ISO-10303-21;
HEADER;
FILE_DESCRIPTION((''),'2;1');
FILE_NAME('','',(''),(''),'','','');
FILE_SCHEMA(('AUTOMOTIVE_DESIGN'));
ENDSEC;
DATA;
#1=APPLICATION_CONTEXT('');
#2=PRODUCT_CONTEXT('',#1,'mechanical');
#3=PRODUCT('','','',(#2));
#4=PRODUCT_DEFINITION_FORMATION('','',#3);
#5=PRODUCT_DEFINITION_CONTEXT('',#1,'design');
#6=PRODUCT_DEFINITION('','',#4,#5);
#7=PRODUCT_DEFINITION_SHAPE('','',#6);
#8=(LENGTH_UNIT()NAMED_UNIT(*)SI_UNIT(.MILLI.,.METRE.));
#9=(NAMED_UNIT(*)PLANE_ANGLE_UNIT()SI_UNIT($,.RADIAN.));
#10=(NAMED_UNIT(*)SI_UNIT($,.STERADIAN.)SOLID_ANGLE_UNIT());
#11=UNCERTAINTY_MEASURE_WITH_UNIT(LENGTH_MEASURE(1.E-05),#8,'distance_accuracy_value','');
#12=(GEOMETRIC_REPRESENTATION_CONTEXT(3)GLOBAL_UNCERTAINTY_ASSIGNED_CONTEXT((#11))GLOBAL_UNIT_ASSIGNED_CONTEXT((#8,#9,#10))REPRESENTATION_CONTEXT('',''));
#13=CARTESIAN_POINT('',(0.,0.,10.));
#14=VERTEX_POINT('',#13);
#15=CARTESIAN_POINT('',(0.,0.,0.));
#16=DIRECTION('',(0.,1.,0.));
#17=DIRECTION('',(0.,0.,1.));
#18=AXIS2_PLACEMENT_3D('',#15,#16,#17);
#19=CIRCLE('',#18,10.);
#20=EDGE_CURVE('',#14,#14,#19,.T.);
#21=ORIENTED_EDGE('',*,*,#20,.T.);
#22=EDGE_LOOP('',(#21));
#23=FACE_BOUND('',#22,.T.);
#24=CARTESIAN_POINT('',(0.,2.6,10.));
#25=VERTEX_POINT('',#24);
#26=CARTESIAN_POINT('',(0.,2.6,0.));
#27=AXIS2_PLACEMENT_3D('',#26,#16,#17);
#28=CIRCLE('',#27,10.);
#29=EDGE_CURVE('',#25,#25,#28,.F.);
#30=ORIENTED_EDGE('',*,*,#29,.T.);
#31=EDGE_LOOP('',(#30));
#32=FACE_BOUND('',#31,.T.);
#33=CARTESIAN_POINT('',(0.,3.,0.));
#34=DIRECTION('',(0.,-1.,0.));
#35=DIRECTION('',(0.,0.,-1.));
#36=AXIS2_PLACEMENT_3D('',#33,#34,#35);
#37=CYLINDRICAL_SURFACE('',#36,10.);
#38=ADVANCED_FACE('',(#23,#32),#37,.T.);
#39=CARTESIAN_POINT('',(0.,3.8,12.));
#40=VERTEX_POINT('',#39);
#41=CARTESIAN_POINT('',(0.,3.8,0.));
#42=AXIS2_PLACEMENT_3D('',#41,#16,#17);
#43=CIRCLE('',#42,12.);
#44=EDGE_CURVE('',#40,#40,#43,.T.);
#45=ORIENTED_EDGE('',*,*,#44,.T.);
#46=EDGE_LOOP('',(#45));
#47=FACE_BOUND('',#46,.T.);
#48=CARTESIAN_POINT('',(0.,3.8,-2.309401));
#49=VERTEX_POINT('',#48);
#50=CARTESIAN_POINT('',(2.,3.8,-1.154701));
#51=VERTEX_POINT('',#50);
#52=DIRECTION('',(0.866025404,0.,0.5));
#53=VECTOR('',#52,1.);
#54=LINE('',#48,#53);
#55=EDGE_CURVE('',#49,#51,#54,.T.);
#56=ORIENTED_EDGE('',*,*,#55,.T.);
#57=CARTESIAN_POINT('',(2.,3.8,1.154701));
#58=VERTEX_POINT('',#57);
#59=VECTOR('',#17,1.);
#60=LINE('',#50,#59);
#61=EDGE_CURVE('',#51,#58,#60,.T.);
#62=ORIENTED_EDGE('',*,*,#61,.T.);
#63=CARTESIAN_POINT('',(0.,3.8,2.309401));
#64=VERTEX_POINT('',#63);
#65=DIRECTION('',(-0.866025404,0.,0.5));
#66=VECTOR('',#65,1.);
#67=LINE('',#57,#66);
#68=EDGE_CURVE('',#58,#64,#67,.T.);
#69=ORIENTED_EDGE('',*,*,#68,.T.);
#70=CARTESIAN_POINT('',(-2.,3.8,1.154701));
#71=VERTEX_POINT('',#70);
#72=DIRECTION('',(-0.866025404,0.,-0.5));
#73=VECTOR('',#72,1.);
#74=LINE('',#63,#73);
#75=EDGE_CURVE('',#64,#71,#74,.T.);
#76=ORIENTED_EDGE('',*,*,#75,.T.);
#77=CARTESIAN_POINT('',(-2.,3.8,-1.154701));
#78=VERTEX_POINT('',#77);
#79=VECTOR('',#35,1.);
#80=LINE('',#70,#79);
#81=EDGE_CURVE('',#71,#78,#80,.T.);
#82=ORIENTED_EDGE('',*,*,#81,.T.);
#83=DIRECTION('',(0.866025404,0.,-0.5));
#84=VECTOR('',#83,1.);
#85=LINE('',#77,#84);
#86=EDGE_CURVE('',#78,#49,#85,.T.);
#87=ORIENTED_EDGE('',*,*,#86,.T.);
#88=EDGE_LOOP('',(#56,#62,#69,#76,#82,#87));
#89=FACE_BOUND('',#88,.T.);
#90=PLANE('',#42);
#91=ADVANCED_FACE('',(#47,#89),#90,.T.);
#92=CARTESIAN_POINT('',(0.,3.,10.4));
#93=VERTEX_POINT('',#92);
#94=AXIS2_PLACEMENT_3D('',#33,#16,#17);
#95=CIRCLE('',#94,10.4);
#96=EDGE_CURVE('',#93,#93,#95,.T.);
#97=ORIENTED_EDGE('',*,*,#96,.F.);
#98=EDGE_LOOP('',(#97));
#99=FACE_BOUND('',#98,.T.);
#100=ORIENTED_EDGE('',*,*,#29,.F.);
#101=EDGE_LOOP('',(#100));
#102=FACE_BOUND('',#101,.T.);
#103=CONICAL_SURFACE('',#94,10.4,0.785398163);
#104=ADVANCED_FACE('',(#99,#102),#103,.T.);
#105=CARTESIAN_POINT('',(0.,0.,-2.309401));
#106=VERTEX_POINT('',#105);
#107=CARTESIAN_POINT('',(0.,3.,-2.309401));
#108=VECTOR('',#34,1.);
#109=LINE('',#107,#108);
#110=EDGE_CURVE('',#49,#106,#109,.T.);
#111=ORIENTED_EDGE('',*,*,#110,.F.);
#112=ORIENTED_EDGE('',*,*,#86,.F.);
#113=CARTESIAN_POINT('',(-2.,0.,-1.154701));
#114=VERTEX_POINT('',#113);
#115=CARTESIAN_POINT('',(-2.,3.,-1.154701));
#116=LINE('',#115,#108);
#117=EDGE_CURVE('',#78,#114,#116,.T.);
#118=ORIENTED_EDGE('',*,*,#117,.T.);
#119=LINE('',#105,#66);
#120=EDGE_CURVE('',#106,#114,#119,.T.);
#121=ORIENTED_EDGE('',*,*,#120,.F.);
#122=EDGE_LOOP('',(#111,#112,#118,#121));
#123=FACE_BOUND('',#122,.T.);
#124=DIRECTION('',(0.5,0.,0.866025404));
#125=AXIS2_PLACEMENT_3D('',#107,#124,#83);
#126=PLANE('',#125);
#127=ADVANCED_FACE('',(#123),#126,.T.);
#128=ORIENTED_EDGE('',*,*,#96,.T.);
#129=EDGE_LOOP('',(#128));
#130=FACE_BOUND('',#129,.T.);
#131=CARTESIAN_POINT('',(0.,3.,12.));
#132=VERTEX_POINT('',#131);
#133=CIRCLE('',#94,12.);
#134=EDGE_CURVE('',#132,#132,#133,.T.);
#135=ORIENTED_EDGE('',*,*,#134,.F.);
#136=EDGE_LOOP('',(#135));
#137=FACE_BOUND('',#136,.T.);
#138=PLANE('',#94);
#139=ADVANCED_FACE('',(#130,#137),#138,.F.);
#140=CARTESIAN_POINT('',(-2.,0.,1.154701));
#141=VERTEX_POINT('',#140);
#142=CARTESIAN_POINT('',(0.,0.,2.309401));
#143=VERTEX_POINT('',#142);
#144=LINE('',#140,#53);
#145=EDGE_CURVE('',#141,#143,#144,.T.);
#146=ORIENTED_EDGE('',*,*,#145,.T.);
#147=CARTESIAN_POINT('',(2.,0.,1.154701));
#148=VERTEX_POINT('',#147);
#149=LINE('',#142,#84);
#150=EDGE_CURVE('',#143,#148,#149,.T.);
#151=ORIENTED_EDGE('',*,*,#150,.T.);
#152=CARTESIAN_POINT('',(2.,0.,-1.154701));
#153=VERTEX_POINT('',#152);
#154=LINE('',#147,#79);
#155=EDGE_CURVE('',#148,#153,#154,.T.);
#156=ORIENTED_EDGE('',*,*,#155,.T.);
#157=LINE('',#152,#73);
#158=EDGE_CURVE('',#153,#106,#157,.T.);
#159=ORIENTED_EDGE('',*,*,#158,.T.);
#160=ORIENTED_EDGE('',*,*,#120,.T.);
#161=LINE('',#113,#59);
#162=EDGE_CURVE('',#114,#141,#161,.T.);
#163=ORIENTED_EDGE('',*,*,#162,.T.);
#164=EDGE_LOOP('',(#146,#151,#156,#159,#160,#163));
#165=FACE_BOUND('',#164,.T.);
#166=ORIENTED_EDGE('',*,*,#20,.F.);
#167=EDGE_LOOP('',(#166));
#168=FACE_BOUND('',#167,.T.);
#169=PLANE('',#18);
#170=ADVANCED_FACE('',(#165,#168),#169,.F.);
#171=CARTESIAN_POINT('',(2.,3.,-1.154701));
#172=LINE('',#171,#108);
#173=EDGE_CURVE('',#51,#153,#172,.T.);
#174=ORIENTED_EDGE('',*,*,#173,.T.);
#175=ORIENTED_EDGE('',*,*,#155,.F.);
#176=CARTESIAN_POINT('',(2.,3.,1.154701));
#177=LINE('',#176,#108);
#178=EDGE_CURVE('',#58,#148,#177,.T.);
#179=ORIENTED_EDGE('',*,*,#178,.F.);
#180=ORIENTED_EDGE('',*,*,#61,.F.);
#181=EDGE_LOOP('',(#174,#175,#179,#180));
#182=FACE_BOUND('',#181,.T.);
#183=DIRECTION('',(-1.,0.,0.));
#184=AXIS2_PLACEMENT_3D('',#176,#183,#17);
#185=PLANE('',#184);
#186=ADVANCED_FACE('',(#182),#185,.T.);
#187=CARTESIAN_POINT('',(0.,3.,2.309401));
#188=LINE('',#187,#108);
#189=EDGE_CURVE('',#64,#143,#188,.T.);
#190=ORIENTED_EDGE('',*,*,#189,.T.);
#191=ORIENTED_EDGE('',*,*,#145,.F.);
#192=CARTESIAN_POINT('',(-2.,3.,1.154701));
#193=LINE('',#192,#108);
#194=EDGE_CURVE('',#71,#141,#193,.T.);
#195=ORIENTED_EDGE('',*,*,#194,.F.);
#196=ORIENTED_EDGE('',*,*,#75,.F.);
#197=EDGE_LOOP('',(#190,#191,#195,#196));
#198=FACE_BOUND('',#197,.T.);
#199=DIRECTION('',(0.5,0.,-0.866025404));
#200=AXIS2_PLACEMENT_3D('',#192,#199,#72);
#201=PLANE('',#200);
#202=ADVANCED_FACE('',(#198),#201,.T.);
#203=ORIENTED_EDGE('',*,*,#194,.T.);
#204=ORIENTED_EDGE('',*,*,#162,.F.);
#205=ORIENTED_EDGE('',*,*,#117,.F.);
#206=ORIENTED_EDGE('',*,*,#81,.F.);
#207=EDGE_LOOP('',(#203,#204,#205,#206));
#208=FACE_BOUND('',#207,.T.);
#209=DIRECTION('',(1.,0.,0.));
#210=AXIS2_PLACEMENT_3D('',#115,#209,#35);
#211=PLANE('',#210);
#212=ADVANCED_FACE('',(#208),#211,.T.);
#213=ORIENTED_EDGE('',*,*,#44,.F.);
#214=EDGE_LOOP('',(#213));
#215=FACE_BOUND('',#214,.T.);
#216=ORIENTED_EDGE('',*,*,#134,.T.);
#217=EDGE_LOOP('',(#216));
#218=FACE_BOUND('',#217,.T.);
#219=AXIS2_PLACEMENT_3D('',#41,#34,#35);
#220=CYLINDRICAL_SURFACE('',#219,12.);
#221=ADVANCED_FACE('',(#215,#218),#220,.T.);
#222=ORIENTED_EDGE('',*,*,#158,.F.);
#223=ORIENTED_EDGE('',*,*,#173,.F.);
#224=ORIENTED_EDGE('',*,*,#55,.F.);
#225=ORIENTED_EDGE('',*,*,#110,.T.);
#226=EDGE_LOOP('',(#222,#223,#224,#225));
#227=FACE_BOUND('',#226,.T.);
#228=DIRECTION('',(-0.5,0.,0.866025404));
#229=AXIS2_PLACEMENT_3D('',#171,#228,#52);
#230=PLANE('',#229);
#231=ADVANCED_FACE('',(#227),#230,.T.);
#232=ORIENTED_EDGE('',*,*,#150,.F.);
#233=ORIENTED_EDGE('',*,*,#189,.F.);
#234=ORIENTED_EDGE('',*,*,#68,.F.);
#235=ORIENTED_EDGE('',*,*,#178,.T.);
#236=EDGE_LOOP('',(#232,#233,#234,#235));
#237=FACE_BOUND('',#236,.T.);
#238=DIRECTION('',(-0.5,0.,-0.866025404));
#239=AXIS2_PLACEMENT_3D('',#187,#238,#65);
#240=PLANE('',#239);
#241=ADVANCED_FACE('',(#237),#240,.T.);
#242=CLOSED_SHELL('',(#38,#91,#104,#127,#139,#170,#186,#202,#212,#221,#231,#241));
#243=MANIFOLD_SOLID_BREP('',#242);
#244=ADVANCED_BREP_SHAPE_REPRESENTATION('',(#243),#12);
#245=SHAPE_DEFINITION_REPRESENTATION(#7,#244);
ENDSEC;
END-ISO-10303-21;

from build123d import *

# Parameters (mm, degrees)
SKETCH1_R           = 10
BOSS_EXTRUDE1_DEPTH = 3
SKETCH3_R           = 12
BOSS_EXTRUDE2_DEPTH = 0.8
CUT_EXTRUDE1_DEPTH  = 18.390802167
CHAMFER1_SIZE       = 0.4


with BuildPart() as part:
    # Sketch1 → Boss-Extrude1 (new body)
    with BuildSketch(Plane(origin=(0, 0, 0), x_dir=(1, 0, 0), z_dir=(0, 1, 0))):
        with Locations(Location((0, 0, 0), (0, 0, 270))):
            Circle(SKETCH1_R)
        Polygon((0, 2.309401077), (-2, 1.154700538), (-2, -1.154700538), (0, -2.309401077), (2, -1.154700538), (2, 1.154700538), align=None, mode=Mode.SUBTRACT)
    extrude(amount=BOSS_EXTRUDE1_DEPTH)

    # Sketch3 → Boss-Extrude2 (add)
    with BuildSketch(Plane(origin=(0, 3, 0), x_dir=(1, 0, 0), z_dir=(0, 1, 0))):
        with Locations(Location((0, 0, 0), (0, 0, 270))):
            Circle(SKETCH3_R)
    extrude(amount=BOSS_EXTRUDE2_DEPTH)

    # Sketch4 → Cut-Extrude1 (cut, through all)
    with BuildSketch(Plane.XZ):
        Polygon((0, -2.309401077), (2, -1.154700538), (2, 1.154700538), (0, 2.309401077), (-2, 1.154700538), (-2, -1.154700538), align=None)
    extrude(amount=-CUT_EXTRUDE1_DEPTH, mode=Mode.SUBTRACT)

    # Chamfer1
    chamfer1_edges = [part.edges().sort_by_distance(p)[0] for p in [
        (0, 3, -10),
    ]]
    chamfer(chamfer1_edges, length=CHAMFER1_SIZE)


solid = part.part
